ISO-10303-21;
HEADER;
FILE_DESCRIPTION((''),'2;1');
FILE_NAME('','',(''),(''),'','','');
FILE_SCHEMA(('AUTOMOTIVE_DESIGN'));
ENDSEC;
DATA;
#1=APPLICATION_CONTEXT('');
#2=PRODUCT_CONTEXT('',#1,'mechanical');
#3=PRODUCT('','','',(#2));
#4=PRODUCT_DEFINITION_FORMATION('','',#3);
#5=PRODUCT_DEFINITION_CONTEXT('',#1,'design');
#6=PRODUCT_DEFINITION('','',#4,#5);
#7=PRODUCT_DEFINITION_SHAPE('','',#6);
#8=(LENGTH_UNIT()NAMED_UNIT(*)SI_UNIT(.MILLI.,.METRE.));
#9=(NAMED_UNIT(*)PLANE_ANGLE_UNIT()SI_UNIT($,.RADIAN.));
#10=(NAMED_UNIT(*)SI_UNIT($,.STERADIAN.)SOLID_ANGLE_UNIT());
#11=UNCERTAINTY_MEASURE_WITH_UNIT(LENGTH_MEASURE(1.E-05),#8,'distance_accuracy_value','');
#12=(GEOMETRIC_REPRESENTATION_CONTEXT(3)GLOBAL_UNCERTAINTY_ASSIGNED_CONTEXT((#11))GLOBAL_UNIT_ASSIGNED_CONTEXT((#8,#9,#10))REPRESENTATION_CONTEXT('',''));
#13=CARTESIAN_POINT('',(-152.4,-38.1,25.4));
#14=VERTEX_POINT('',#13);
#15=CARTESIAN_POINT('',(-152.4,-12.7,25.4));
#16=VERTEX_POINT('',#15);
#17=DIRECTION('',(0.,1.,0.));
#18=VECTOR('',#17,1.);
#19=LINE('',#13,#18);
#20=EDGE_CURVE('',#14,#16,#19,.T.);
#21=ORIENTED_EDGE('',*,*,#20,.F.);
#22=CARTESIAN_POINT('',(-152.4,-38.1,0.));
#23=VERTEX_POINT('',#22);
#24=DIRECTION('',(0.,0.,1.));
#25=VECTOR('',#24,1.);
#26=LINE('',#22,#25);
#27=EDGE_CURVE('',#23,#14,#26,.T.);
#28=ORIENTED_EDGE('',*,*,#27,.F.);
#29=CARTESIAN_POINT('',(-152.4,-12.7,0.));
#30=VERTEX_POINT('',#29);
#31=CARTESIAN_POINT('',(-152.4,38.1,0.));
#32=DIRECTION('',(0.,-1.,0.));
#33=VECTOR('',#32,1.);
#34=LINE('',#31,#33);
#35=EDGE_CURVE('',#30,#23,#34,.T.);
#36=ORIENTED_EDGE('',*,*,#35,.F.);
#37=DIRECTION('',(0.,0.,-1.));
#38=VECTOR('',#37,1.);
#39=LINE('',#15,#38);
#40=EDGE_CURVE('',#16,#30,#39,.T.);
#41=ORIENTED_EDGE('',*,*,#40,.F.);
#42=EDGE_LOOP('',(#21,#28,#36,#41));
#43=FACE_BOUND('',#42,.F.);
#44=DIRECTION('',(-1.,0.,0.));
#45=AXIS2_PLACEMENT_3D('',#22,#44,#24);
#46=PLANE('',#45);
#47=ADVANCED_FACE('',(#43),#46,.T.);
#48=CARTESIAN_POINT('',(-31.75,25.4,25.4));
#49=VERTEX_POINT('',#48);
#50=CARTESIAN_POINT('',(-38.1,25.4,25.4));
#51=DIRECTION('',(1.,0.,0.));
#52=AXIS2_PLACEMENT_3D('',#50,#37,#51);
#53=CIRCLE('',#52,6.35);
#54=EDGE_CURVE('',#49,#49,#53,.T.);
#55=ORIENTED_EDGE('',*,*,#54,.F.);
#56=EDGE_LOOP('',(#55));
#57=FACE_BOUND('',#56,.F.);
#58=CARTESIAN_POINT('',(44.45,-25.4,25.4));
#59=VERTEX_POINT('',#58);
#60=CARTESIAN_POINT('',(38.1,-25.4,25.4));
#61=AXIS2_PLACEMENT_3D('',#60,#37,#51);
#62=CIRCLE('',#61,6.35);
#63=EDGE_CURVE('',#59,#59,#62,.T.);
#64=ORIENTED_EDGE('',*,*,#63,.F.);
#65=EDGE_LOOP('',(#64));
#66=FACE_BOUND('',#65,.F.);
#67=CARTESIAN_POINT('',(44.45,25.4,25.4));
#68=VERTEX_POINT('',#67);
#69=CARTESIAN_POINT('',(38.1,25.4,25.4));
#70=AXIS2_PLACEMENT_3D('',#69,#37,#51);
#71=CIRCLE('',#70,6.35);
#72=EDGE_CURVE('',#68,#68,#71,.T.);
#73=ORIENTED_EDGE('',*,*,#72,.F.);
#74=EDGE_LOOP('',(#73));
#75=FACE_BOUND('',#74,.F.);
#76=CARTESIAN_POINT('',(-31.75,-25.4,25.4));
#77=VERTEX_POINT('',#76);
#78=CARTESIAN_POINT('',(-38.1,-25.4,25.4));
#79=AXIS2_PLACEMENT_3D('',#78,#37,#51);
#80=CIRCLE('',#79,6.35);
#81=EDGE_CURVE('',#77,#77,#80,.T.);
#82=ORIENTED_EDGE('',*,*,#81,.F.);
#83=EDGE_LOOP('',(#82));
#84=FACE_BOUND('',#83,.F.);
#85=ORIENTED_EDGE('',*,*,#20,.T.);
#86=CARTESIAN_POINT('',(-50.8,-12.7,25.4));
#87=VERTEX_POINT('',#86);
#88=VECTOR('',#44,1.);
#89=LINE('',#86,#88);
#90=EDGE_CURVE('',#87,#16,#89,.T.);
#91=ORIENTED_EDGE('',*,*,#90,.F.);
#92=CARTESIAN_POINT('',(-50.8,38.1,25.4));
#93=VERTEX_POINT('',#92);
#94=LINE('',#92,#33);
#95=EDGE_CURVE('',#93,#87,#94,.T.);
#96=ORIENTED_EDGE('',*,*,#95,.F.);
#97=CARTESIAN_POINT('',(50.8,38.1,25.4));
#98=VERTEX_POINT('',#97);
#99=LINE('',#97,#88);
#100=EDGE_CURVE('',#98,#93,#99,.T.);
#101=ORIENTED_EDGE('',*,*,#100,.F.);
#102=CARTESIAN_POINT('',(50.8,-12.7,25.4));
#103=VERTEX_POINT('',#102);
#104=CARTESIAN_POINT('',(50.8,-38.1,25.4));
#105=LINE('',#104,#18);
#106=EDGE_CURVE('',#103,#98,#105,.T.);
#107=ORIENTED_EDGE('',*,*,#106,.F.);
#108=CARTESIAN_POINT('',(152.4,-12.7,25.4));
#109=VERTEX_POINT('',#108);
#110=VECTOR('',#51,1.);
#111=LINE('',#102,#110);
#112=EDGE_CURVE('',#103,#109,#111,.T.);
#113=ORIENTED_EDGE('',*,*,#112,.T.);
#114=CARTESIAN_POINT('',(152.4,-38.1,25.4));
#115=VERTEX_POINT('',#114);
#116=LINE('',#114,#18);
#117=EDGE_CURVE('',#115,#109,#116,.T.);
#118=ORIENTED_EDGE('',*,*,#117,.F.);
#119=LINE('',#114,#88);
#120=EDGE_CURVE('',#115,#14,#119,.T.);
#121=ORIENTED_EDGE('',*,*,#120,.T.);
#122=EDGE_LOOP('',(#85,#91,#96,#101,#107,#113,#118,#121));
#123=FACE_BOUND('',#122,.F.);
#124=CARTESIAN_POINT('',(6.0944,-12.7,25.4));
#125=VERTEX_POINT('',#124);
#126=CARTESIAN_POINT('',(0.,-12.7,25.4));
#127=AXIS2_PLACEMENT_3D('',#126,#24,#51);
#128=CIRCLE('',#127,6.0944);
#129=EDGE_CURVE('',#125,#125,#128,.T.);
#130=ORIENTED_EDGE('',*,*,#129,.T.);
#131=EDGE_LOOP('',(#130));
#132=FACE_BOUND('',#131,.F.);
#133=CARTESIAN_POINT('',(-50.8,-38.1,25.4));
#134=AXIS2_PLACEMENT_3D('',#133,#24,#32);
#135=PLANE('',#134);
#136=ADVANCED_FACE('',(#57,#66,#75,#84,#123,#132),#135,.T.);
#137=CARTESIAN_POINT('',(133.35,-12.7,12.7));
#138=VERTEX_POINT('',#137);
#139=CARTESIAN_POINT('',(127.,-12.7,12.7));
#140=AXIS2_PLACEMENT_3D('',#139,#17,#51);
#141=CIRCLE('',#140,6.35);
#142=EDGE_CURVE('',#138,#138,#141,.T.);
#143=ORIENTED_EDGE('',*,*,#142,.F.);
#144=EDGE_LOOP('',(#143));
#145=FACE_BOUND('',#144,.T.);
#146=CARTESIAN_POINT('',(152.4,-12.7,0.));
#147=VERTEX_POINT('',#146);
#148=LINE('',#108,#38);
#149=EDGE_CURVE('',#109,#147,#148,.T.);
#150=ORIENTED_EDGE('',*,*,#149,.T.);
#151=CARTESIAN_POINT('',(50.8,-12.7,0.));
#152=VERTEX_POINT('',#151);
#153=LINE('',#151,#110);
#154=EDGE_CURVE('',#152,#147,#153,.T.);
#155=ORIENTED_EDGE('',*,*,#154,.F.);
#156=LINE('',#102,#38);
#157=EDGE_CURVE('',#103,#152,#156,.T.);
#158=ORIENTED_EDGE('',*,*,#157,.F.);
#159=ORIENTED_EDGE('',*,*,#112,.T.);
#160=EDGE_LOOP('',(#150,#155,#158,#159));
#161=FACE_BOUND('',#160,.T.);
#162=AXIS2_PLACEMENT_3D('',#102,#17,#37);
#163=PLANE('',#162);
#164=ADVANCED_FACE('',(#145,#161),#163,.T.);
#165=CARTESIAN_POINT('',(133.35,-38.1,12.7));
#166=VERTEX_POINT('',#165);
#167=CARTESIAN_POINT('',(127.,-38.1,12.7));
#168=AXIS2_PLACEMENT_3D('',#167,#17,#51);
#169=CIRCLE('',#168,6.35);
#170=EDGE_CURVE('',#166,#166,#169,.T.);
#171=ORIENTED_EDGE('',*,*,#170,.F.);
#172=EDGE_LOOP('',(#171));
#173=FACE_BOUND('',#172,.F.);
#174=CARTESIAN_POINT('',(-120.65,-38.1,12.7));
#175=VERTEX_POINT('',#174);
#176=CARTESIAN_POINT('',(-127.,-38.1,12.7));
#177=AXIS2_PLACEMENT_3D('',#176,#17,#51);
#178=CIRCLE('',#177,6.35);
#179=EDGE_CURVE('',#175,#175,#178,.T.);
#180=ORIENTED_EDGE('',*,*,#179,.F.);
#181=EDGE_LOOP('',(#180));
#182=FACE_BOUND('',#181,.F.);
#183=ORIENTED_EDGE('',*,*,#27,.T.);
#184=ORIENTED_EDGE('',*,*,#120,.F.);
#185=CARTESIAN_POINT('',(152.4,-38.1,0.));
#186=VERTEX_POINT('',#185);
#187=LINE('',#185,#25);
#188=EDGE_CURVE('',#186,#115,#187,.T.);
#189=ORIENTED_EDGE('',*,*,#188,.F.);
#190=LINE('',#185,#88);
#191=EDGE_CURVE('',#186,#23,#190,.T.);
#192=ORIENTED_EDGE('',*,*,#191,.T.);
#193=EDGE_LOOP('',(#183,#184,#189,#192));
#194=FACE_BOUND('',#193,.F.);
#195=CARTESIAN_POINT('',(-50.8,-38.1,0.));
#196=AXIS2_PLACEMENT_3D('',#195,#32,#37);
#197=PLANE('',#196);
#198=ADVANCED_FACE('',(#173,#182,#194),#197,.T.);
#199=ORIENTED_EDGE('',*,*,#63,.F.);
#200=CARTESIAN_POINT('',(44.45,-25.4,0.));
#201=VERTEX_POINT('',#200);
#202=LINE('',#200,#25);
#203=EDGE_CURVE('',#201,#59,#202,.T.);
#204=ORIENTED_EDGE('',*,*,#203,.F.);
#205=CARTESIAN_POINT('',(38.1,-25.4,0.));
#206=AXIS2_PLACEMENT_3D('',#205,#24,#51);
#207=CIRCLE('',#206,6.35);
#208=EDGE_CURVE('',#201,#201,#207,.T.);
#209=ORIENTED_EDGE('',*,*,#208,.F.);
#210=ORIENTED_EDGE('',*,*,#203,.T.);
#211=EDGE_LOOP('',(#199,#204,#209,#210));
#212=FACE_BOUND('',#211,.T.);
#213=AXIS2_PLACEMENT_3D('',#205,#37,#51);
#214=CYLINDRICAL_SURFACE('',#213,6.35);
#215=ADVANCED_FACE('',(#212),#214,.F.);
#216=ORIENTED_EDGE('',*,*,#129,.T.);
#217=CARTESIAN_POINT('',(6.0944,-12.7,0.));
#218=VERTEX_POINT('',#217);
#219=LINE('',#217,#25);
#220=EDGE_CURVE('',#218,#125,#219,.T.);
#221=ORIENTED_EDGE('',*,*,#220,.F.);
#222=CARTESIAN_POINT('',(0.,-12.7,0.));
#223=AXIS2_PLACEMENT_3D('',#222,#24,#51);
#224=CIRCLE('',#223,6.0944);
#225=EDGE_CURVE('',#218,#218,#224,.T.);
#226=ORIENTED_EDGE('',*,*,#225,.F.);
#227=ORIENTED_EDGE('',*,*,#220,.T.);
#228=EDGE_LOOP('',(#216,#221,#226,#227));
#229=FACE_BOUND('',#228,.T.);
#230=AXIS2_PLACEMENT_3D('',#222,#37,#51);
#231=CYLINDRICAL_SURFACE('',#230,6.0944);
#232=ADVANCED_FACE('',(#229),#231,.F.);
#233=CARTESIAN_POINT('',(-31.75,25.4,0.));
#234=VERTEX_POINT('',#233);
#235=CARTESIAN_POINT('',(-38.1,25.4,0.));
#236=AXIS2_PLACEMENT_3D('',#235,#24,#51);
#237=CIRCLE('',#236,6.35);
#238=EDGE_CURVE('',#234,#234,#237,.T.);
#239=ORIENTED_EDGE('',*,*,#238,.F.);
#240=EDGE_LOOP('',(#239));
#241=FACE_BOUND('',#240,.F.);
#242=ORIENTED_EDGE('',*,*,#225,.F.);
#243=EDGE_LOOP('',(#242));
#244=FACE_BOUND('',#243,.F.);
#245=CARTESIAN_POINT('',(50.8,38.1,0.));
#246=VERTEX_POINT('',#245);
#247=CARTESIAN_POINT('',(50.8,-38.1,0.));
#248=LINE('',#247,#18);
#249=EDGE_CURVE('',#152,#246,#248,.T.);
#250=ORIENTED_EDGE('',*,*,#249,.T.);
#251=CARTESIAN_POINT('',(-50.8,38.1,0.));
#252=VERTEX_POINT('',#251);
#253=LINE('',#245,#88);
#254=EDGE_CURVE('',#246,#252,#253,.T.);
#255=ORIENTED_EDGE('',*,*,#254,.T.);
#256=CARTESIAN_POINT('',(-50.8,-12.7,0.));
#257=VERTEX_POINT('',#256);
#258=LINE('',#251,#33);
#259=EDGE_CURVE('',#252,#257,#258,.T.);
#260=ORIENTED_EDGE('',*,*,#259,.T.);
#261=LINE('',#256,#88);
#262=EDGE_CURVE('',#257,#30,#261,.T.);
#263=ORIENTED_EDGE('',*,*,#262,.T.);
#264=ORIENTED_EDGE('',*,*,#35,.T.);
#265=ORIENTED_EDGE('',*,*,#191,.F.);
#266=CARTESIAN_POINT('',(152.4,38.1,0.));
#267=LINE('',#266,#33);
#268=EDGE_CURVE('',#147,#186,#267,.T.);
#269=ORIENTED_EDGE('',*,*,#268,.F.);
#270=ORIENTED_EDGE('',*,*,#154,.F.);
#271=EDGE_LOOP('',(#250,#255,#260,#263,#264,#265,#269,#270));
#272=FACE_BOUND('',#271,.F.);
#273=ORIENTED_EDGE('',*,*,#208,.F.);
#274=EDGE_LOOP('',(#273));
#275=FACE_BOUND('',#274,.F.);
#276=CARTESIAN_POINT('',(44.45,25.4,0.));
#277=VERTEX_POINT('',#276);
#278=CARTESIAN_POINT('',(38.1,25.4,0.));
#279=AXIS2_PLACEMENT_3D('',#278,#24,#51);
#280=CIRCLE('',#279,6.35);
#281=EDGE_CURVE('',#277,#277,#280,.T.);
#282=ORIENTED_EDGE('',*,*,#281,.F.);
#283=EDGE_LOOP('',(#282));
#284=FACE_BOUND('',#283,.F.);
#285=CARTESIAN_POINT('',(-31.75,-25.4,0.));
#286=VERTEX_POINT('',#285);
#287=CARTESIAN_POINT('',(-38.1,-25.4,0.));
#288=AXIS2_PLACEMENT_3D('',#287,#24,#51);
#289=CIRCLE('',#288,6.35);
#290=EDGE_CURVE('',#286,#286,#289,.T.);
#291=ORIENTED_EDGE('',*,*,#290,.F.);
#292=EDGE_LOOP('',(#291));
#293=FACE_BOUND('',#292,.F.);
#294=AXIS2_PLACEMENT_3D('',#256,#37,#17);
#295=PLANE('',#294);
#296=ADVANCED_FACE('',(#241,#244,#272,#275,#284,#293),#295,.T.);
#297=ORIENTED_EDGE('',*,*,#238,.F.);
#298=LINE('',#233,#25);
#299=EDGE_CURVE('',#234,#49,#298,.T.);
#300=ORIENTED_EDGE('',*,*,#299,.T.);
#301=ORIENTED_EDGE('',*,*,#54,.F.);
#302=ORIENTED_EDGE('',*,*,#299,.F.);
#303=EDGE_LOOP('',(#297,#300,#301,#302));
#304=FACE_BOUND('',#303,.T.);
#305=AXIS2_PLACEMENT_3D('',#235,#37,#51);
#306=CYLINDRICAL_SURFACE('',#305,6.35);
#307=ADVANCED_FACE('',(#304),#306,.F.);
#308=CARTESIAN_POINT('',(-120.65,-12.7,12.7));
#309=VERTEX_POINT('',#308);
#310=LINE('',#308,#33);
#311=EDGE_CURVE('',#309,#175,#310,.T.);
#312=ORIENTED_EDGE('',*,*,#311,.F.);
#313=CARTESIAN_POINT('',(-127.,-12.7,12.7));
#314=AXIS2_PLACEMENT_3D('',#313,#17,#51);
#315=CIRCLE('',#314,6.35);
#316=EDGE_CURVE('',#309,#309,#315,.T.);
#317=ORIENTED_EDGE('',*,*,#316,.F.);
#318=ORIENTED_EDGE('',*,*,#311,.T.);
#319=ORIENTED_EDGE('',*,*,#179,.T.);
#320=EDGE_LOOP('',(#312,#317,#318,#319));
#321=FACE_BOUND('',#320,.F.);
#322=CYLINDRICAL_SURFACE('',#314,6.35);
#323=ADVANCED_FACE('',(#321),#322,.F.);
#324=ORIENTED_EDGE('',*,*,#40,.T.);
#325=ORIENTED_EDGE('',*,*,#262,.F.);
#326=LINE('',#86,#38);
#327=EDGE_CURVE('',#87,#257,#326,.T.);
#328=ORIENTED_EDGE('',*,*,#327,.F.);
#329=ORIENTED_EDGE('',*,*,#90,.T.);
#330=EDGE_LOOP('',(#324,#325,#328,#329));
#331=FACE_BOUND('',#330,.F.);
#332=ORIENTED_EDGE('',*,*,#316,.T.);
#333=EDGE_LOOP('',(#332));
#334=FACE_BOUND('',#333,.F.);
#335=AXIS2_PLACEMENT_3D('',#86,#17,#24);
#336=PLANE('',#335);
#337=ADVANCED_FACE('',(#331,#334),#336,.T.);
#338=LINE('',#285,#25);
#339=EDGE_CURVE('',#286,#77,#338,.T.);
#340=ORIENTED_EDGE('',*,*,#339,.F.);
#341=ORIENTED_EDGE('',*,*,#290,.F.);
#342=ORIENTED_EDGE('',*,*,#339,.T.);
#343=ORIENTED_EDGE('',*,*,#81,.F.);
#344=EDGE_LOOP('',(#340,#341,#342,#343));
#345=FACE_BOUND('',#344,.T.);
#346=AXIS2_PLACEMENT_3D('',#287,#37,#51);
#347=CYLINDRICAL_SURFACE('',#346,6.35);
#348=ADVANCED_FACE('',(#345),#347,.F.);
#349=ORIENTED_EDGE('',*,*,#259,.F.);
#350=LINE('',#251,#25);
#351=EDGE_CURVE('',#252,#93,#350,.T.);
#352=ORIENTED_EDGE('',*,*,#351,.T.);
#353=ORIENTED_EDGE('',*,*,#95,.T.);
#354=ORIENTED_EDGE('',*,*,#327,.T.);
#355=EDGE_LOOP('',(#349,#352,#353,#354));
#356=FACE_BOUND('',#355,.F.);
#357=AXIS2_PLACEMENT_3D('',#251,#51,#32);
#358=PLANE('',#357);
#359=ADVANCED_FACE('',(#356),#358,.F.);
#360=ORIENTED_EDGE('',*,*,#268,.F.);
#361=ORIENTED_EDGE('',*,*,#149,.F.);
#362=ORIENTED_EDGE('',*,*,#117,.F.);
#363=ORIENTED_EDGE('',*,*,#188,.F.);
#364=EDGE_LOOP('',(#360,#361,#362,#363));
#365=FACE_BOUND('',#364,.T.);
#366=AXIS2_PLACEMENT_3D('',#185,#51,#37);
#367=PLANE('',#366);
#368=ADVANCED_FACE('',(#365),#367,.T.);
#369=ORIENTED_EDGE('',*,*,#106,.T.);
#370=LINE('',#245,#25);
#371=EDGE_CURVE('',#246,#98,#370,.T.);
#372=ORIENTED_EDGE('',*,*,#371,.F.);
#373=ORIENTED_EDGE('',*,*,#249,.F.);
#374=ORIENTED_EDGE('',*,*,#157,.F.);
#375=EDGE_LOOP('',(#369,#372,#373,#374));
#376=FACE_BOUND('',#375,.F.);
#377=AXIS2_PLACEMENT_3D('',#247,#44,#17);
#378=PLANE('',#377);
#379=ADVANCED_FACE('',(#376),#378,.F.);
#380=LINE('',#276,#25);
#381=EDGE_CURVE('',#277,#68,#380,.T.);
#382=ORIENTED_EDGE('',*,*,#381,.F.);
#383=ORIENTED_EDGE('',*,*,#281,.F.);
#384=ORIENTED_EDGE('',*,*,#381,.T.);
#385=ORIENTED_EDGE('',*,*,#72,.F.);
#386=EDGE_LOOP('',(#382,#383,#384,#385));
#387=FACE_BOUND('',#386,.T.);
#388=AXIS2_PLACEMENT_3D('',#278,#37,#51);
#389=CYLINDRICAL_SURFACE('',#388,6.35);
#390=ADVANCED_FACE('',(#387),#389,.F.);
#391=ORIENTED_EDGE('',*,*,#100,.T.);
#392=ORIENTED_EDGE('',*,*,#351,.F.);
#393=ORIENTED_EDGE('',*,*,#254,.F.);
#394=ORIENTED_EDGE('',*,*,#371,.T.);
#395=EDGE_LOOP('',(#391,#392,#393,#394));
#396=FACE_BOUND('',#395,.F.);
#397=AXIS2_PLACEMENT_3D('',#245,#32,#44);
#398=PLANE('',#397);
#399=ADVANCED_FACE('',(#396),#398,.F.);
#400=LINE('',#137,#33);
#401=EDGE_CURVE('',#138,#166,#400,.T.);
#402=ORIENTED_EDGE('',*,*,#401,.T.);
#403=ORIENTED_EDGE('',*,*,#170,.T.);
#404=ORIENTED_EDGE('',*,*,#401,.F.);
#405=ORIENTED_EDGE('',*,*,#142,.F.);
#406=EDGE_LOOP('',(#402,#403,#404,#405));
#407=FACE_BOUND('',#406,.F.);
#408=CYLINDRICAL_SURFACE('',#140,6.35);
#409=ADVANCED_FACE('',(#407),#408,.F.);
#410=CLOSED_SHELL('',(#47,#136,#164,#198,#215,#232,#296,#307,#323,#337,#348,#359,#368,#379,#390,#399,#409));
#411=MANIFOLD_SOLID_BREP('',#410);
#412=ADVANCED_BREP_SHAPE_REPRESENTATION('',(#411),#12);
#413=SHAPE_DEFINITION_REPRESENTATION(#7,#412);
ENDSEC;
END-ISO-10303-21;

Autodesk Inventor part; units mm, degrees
ref_plane "YZ Plane" through (0, 0, 0) normal (1, 0, 0) x (0, 1, 0)
ref_plane "XZ Plane" through (0, 0, 0) normal (0, 1, 0) x (-1, 0, 0)
ref_plane "XY Plane" through (0, 0, 0) normal (0, 0, 1) x (1, 0, 0)
sketch "Sketch1" plane through (0, 0, 0) normal (0, 0, 1) x (1, 0, 0)
  line L0 (-50.8, -38.1) -> (50.8, -38.1)
  line L1 (50.8, -38.1) -> (50.8, 38.1)
  line L2 (50.8, 38.1) -> (-50.8, 38.1)
  line L3 (-50.8, 38.1) -> (-50.8, -38.1)
  line L4 (-50.8, -38.1) -> (50.8, 38.1) construction
  line L5 (50.8, -38.1) -> (-50.8, 38.1) construction
  line L6 (-38.1, -25.4) -> (38.1, -25.4)
  line L7 (38.1, -25.4) -> (38.1, 25.4)
  line L8 (38.1, 25.4) -> (-38.1, 25.4)
  line L9 (-38.1, 25.4) -> (-38.1, -25.4)
  line L10 (-38.1, -25.4) -> (38.1, 25.4) construction
  line L11 (38.1, -25.4) -> (-38.1, 25.4) construction
  circle A0 centre (-38.1, 25.4) radius 6.35
  circle A1 centre (38.1, 25.4) radius 6.35
  circle A2 centre (-38.1, -25.4) radius 6.35
  circle A3 centre (38.1, -25.4) radius 6.35
  circle A4 centre (0, -12.7) radius 6.0944
  point P0 (0, 0)
  dimension "d0" = 101.6
  dimension "d1" = 76.2
  dimension "d2" = 76.2
  dimension "d3" = 50.8
  dimension "d4" = 12.7
  dimension "d7" = 50.8
extrude "Extrusion1" add sketch "Sketch1" along normal blind 25.4 contours L3 L2 L1 L0 | A2 L9 A0 L8 A1 L7 A3 L6
sketch "Sketch2" plane through (50.8, -38.1, 0) normal (1, 0, 0) x (0, 0, -1)
  line L0 (0, 76.2) -> (0, 0) projected
  line L1 (0, 0) -> (-25.4, 0)
  line L2 (-25.4, 0) -> (-25.4, 25.4)
  line L3 (-25.4, 25.4) -> (0, 25.4)
  line L4 (0, 25.4) -> (0, 0)
  line L5 (0, 76.2) -> (-25.4, 76.2) projected
  point P0 (0, 38.1)
  point P1 (0, 25.4)
  dimension "d8" = 25.4
extrude "Extrusion2" add sketch "Sketch2" along normal blind 101.6
mirror "Mirror1" about plane through (0, 0, 0) normal (1, 0, 0) of "Extrusion2"
sketch "Sketch3" plane through (50.8, -12.7, 25.4) normal (0, 1, 0) x (1, 0, 0)
  line L0 (0, 0) -> (-101.6, 0) projected
  line L1 (-50.8, 0) -> (-50.8, 25.4) construction
  line L2 (-203.2, 25.4) -> (-203.2, 0) projected
  line L3 (-203.2, 12.7) -> (101.6, 12.7) construction
  line L4 (101.6, 0) -> (101.6, 25.4) projected
  circle A0 centre (76.2, 12.7) radius 6.35
  circle A1 centre (-177.8, 12.7) radius 6.35
  dimension "d11" = 12.7
  dimension "d12" = 127
extrude "Extrusion3" cut sketch "Sketch3" against normal through all
properties part number "center block"
